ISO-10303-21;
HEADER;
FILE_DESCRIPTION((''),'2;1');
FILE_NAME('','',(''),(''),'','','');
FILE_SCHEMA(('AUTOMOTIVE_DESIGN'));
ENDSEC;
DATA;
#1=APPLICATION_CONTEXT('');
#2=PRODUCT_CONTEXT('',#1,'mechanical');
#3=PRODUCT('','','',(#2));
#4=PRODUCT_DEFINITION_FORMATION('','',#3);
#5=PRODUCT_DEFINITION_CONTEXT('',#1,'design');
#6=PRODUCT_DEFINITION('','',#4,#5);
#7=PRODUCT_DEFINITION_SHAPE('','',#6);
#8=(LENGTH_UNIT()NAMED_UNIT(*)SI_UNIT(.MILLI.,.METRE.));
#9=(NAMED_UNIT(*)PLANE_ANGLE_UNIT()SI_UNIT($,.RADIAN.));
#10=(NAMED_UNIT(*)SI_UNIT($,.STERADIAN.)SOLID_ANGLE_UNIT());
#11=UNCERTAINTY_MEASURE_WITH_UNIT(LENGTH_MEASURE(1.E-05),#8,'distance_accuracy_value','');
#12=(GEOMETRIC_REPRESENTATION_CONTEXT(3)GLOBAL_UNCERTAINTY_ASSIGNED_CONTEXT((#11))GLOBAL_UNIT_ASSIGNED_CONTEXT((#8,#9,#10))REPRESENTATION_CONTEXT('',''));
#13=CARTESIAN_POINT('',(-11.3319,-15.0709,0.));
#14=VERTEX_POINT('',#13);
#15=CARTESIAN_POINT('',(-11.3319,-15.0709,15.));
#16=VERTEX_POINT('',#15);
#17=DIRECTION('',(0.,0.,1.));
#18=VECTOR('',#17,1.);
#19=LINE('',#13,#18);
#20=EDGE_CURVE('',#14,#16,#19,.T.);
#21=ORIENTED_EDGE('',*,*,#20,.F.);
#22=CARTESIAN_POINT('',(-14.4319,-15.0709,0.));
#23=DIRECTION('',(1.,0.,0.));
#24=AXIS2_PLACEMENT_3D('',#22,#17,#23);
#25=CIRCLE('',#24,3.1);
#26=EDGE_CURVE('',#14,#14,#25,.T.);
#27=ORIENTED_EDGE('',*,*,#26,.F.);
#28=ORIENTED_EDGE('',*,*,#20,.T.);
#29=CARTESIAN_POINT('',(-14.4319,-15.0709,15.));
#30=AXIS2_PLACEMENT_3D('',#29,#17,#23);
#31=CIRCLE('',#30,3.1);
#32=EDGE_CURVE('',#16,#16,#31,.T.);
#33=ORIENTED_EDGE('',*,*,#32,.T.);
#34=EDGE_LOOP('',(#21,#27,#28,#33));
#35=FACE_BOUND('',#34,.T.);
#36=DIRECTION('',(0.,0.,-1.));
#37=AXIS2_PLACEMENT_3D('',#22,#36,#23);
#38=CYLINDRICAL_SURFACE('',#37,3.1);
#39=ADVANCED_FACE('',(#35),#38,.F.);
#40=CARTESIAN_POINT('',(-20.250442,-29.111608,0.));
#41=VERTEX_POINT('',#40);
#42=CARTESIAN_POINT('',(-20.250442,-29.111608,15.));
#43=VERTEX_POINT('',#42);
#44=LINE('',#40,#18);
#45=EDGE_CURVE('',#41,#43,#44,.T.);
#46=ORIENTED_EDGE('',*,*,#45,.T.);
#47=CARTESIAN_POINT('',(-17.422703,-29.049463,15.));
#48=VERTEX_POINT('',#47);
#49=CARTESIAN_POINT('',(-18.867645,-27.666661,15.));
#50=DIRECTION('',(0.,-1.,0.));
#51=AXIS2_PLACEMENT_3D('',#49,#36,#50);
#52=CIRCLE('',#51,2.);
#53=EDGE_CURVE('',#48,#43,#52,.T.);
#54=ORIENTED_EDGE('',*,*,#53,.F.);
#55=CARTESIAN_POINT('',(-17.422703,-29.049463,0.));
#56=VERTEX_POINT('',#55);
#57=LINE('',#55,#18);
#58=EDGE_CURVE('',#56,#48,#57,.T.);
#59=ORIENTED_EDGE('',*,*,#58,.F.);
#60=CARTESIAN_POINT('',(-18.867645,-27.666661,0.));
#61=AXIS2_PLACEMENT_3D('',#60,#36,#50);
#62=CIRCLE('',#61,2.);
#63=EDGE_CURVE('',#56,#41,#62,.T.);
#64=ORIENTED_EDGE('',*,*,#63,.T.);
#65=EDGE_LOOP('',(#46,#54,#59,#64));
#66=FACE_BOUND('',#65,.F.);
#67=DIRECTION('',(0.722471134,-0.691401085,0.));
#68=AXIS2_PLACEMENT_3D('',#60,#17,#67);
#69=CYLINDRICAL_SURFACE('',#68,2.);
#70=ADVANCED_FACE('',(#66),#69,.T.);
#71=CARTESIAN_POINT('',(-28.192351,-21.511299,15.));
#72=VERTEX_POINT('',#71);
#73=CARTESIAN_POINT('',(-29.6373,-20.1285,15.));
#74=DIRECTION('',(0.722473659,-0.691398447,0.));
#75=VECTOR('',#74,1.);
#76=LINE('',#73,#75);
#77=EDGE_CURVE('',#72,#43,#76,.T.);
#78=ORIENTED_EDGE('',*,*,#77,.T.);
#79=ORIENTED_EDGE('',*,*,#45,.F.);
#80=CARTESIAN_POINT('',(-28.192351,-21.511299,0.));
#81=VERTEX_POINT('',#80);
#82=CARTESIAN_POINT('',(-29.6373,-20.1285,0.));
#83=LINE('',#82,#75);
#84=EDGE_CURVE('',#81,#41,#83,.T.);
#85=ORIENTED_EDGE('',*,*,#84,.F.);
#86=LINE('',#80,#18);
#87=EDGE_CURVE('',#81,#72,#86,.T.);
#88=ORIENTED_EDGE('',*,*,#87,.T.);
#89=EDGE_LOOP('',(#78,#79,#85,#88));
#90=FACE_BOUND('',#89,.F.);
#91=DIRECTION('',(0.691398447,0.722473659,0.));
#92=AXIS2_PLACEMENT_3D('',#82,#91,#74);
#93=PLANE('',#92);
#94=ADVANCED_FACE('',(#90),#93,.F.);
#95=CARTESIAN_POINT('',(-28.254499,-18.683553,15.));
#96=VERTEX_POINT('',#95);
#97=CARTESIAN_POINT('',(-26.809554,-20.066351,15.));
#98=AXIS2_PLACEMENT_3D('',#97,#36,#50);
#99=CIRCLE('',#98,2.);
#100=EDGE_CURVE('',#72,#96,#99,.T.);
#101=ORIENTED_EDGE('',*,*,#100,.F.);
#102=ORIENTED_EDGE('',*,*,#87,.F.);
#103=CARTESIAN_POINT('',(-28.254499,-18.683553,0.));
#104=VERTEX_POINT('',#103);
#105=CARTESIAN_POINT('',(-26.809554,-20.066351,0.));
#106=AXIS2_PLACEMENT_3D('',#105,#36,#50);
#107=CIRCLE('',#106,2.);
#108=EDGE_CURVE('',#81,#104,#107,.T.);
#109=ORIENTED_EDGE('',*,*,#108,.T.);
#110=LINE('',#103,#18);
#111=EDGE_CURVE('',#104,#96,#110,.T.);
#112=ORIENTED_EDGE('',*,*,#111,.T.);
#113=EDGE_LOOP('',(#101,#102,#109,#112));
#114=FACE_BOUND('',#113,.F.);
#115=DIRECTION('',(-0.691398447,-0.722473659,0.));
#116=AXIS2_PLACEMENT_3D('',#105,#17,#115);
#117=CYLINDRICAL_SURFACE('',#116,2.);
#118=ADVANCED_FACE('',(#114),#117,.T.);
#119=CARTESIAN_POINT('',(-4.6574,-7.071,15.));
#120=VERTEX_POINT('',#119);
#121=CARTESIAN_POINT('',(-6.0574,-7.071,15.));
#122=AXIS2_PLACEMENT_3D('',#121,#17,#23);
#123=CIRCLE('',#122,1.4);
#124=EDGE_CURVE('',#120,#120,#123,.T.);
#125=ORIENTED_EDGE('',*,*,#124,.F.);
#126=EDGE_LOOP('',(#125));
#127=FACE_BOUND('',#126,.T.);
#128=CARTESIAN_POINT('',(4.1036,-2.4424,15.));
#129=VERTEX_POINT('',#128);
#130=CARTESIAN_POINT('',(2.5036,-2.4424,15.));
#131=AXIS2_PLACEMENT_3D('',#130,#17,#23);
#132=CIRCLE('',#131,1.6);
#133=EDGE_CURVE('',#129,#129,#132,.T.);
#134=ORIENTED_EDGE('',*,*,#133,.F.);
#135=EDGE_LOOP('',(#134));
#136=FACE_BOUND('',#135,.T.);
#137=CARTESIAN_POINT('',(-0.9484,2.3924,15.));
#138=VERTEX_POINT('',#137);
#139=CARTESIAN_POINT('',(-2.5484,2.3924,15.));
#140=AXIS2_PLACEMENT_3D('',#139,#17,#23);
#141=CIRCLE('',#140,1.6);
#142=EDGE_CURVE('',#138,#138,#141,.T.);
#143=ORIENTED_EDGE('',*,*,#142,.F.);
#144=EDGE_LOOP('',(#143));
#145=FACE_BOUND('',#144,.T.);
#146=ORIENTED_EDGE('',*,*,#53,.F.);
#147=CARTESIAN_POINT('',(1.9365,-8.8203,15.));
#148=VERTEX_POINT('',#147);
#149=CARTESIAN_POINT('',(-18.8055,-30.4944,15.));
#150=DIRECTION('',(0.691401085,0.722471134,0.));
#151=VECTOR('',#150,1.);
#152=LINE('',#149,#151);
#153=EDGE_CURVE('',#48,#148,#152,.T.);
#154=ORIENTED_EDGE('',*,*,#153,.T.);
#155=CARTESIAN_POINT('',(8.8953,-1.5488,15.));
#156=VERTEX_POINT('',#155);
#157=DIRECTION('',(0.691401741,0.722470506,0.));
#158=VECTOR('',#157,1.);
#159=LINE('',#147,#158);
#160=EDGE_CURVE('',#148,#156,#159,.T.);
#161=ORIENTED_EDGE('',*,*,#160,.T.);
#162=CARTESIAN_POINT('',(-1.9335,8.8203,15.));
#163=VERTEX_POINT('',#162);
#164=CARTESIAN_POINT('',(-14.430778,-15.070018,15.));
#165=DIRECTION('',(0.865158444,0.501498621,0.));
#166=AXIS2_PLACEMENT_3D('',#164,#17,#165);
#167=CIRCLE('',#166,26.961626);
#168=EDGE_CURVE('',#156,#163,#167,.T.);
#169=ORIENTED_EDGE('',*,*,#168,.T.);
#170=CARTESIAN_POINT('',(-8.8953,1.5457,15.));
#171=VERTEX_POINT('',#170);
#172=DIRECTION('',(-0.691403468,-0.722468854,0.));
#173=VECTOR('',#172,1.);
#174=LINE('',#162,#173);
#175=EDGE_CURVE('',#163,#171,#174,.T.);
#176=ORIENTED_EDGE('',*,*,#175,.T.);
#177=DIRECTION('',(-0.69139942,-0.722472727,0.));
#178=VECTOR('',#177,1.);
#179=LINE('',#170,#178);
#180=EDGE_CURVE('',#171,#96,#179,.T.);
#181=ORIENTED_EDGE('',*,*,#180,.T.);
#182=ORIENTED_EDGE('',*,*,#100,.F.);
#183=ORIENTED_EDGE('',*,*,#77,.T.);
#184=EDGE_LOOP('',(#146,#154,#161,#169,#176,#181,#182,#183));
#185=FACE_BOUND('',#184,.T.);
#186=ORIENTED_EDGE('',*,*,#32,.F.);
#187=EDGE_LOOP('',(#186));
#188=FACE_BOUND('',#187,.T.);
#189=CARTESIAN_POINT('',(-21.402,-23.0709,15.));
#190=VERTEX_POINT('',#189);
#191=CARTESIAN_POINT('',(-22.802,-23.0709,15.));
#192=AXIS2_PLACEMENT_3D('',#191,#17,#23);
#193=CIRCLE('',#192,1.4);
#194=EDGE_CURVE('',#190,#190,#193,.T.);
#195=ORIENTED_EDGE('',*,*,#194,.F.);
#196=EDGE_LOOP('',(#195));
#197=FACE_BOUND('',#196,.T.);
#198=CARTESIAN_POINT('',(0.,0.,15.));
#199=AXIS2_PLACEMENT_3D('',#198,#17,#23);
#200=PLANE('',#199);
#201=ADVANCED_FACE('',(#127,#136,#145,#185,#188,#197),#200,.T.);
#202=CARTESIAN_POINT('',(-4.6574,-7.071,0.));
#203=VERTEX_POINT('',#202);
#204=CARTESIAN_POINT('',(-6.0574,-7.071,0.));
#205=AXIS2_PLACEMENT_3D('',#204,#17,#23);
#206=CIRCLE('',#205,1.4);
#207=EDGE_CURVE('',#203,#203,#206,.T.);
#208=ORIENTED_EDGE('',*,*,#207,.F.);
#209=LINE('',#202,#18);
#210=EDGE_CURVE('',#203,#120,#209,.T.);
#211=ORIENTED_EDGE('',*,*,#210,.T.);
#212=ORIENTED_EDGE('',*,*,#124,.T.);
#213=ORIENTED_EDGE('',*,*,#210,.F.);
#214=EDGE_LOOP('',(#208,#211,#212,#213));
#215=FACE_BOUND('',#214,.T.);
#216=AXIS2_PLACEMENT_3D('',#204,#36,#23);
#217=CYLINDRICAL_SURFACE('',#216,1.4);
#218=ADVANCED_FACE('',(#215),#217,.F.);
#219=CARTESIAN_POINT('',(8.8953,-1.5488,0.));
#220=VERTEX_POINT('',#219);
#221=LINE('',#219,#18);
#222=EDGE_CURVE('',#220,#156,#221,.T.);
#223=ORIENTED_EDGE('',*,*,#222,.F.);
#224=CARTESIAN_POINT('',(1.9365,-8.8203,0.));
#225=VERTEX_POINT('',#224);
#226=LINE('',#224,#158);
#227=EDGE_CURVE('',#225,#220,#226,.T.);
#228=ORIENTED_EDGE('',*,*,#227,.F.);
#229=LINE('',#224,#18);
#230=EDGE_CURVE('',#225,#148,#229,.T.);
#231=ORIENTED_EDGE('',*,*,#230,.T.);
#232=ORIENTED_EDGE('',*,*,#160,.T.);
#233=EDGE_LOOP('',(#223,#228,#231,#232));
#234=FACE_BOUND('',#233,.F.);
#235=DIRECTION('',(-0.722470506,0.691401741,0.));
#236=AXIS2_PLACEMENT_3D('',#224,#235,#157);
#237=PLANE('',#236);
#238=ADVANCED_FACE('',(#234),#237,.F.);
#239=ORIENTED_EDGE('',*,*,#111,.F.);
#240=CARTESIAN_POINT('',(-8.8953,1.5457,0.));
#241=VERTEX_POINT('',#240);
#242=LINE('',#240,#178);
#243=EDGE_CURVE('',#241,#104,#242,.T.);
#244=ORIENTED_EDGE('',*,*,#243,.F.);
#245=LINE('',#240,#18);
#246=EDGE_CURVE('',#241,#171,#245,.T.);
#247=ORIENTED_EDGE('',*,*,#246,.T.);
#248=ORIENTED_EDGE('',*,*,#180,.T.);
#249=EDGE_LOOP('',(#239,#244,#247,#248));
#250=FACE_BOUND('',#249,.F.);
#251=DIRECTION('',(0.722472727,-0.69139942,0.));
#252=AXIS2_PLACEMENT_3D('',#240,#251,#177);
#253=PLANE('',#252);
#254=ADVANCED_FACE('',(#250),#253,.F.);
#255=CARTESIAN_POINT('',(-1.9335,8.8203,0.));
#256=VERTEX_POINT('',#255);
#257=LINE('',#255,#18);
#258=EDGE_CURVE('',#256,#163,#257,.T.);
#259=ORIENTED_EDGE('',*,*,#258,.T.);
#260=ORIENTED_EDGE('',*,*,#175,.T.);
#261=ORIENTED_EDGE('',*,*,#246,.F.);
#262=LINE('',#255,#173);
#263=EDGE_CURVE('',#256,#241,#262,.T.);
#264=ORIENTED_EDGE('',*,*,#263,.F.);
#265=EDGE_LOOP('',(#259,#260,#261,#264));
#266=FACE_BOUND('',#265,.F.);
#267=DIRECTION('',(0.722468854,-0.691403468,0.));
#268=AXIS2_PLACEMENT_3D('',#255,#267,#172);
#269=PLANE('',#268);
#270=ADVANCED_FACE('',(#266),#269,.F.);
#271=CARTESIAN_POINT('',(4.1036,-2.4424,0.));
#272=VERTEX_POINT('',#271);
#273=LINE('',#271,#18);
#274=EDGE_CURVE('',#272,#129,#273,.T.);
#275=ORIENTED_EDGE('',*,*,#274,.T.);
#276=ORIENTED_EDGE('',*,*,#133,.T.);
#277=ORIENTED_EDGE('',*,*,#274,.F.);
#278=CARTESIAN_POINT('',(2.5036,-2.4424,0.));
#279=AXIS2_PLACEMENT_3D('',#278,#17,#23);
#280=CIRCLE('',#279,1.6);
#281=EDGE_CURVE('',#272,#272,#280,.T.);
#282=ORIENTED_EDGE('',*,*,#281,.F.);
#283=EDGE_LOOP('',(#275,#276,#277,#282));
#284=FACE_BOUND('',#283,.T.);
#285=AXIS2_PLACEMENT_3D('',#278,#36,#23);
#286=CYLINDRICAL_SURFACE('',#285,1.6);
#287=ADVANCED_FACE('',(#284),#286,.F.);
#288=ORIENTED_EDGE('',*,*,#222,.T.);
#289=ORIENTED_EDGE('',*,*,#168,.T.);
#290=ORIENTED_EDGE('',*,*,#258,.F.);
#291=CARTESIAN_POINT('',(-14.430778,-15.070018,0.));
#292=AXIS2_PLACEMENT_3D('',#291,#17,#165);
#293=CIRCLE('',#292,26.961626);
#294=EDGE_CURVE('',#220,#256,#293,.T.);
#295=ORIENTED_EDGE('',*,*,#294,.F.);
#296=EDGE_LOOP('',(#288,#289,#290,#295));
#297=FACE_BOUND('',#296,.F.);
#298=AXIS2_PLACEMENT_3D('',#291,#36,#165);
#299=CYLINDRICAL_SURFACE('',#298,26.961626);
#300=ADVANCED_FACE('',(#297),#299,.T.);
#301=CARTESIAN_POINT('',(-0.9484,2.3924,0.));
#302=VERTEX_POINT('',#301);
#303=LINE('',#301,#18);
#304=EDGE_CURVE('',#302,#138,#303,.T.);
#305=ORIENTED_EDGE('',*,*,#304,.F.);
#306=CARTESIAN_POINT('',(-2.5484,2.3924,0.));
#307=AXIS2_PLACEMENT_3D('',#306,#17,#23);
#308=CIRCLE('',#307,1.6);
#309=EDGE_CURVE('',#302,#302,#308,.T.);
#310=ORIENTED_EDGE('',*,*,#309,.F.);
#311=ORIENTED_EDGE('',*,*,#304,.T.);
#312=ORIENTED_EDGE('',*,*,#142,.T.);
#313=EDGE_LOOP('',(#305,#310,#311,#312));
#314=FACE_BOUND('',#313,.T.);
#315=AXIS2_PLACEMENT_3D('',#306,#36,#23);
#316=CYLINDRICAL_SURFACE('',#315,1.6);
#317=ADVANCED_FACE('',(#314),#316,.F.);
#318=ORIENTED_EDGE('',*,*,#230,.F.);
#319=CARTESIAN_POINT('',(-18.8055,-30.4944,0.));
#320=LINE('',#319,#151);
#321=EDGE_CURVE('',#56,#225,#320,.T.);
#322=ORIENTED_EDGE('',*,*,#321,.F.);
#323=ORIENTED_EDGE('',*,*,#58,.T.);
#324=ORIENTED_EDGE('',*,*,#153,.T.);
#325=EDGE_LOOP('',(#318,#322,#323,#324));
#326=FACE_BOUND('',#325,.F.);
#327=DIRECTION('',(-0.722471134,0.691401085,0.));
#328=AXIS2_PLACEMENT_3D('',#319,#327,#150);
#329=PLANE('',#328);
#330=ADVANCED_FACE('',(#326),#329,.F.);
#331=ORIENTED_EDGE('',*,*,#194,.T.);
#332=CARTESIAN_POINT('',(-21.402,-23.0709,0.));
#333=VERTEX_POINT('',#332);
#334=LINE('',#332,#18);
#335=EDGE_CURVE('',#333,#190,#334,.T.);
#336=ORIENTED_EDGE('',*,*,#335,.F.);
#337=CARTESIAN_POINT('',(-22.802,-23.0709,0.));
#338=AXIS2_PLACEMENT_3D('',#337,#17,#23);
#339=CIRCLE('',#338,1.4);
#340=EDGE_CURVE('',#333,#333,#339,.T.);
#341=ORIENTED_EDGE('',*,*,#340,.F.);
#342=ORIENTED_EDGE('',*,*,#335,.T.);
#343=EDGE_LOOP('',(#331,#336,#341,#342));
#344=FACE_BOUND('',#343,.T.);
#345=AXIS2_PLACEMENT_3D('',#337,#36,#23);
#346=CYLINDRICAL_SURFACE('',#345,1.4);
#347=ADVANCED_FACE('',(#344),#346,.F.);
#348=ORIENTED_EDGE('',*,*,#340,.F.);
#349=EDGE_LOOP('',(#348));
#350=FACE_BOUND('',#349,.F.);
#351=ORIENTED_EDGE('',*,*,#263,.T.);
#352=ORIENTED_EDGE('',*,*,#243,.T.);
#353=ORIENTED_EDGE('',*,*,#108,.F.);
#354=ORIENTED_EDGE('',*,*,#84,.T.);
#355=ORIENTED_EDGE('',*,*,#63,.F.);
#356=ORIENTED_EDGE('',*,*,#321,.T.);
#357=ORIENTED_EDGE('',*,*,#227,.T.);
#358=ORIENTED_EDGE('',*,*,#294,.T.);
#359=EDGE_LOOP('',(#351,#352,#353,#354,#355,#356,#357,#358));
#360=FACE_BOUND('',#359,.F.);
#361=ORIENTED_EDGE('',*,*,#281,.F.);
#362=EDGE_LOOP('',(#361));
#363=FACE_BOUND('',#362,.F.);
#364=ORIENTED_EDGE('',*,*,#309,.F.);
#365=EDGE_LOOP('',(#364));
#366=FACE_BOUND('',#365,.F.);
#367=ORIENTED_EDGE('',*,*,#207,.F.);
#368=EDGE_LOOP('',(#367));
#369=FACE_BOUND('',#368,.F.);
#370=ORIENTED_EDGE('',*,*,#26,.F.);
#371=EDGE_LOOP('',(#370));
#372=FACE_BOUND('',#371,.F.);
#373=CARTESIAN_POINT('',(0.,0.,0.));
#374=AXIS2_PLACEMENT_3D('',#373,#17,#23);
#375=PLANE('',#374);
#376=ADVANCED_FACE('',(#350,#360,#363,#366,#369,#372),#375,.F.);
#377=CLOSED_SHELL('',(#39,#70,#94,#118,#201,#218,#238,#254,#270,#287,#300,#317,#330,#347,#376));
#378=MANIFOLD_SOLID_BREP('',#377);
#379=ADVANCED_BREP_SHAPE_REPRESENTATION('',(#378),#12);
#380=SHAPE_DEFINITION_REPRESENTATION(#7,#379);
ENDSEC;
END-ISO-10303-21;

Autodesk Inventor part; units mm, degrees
ref_plane "YZ Plane" through (0, 0, 0) normal (1, 0, 0) x (0, 1, 0)
ref_plane "XZ Plane" through (0, 0, 0) normal (0, 1, 0) x (-1, 0, 0)
ref_plane "XY Plane" through (0, 0, 0) normal (0, 0, 1) x (1, 0, 0)
sketch "Skizze1" plane through (0, 0, 0) normal (0, 0, 1) x (1, 0, 0)
  circle A0 centre (2.5036, -2.4424) radius 1.4 construction
  circle A1 centre (-2.5484, 2.3924) radius 1.4 construction
  arc A2 (8.8953, -1.5488) -> (-1.9335, 8.8203) centre (-14.4319, -15.0709) ccw projected
  line L0 (-1.9335, 8.8203) -> (-8.8953, 1.5457) projected
  line L1 (-8.8953, 1.5457) -> (1.9365, -8.8203) projected
  line L2 (1.9365, -8.8203) -> (8.8953, -1.5488) projected
  arc A3 (-17.415, -14.7529) -> (-12.7255, -17.5384) centre (-14.4319, -15.0709) ccw projected
  line L3 (-8.8953, 1.5457) -> (-29.6373, -20.1285)
  line L4 (-29.6373, -20.1285) -> (-18.8055, -30.4944)
  line L5 (-18.8055, -30.4944) -> (1.9365, -8.8203)
  arc A4 (-13.2888, -12.8475) -> (-12.2085, -16.214) centre (-14.4319, -15.0709) ccw projected
  circle A5 centre (-14.4319, -15.0709) radius 3.1
  circle A6 centre (-2.5484, 2.3924) radius 1.6
  circle A7 centre (2.5036, -2.4424) radius 1.6
  circle A8 centre (-22.802, -23.0709) radius 1.4 projected
  circle A9 centre (-6.0574, -7.071) radius 1.4 projected
  point P0 (0, 0)
  dimension "d0" = 30
  dimension "d1" = 6.2
  dimension "d2" = 3.2
  dimension "d3" = 3.2
extrude "Extrusion1" add sketch "Skizze1" along normal blind 15
sketch "Skizze2" plane through (0, 0, 15) normal (0, 0, 1) x (1, 0, 0)
  point P0 (0, 0)
sketch "Skizze3" plane through (0, 0, 15) normal (0, 0, 1) x (1, 0, 0)
  point P0 (0, 0)
fillet "Rundung1" radius 2 2 edges at (-18.8055, -30.4944, 7.5) (-29.6373, -20.1285, 7.5)
properties part number "IM_Matchboxscope_Laserholder_2"
